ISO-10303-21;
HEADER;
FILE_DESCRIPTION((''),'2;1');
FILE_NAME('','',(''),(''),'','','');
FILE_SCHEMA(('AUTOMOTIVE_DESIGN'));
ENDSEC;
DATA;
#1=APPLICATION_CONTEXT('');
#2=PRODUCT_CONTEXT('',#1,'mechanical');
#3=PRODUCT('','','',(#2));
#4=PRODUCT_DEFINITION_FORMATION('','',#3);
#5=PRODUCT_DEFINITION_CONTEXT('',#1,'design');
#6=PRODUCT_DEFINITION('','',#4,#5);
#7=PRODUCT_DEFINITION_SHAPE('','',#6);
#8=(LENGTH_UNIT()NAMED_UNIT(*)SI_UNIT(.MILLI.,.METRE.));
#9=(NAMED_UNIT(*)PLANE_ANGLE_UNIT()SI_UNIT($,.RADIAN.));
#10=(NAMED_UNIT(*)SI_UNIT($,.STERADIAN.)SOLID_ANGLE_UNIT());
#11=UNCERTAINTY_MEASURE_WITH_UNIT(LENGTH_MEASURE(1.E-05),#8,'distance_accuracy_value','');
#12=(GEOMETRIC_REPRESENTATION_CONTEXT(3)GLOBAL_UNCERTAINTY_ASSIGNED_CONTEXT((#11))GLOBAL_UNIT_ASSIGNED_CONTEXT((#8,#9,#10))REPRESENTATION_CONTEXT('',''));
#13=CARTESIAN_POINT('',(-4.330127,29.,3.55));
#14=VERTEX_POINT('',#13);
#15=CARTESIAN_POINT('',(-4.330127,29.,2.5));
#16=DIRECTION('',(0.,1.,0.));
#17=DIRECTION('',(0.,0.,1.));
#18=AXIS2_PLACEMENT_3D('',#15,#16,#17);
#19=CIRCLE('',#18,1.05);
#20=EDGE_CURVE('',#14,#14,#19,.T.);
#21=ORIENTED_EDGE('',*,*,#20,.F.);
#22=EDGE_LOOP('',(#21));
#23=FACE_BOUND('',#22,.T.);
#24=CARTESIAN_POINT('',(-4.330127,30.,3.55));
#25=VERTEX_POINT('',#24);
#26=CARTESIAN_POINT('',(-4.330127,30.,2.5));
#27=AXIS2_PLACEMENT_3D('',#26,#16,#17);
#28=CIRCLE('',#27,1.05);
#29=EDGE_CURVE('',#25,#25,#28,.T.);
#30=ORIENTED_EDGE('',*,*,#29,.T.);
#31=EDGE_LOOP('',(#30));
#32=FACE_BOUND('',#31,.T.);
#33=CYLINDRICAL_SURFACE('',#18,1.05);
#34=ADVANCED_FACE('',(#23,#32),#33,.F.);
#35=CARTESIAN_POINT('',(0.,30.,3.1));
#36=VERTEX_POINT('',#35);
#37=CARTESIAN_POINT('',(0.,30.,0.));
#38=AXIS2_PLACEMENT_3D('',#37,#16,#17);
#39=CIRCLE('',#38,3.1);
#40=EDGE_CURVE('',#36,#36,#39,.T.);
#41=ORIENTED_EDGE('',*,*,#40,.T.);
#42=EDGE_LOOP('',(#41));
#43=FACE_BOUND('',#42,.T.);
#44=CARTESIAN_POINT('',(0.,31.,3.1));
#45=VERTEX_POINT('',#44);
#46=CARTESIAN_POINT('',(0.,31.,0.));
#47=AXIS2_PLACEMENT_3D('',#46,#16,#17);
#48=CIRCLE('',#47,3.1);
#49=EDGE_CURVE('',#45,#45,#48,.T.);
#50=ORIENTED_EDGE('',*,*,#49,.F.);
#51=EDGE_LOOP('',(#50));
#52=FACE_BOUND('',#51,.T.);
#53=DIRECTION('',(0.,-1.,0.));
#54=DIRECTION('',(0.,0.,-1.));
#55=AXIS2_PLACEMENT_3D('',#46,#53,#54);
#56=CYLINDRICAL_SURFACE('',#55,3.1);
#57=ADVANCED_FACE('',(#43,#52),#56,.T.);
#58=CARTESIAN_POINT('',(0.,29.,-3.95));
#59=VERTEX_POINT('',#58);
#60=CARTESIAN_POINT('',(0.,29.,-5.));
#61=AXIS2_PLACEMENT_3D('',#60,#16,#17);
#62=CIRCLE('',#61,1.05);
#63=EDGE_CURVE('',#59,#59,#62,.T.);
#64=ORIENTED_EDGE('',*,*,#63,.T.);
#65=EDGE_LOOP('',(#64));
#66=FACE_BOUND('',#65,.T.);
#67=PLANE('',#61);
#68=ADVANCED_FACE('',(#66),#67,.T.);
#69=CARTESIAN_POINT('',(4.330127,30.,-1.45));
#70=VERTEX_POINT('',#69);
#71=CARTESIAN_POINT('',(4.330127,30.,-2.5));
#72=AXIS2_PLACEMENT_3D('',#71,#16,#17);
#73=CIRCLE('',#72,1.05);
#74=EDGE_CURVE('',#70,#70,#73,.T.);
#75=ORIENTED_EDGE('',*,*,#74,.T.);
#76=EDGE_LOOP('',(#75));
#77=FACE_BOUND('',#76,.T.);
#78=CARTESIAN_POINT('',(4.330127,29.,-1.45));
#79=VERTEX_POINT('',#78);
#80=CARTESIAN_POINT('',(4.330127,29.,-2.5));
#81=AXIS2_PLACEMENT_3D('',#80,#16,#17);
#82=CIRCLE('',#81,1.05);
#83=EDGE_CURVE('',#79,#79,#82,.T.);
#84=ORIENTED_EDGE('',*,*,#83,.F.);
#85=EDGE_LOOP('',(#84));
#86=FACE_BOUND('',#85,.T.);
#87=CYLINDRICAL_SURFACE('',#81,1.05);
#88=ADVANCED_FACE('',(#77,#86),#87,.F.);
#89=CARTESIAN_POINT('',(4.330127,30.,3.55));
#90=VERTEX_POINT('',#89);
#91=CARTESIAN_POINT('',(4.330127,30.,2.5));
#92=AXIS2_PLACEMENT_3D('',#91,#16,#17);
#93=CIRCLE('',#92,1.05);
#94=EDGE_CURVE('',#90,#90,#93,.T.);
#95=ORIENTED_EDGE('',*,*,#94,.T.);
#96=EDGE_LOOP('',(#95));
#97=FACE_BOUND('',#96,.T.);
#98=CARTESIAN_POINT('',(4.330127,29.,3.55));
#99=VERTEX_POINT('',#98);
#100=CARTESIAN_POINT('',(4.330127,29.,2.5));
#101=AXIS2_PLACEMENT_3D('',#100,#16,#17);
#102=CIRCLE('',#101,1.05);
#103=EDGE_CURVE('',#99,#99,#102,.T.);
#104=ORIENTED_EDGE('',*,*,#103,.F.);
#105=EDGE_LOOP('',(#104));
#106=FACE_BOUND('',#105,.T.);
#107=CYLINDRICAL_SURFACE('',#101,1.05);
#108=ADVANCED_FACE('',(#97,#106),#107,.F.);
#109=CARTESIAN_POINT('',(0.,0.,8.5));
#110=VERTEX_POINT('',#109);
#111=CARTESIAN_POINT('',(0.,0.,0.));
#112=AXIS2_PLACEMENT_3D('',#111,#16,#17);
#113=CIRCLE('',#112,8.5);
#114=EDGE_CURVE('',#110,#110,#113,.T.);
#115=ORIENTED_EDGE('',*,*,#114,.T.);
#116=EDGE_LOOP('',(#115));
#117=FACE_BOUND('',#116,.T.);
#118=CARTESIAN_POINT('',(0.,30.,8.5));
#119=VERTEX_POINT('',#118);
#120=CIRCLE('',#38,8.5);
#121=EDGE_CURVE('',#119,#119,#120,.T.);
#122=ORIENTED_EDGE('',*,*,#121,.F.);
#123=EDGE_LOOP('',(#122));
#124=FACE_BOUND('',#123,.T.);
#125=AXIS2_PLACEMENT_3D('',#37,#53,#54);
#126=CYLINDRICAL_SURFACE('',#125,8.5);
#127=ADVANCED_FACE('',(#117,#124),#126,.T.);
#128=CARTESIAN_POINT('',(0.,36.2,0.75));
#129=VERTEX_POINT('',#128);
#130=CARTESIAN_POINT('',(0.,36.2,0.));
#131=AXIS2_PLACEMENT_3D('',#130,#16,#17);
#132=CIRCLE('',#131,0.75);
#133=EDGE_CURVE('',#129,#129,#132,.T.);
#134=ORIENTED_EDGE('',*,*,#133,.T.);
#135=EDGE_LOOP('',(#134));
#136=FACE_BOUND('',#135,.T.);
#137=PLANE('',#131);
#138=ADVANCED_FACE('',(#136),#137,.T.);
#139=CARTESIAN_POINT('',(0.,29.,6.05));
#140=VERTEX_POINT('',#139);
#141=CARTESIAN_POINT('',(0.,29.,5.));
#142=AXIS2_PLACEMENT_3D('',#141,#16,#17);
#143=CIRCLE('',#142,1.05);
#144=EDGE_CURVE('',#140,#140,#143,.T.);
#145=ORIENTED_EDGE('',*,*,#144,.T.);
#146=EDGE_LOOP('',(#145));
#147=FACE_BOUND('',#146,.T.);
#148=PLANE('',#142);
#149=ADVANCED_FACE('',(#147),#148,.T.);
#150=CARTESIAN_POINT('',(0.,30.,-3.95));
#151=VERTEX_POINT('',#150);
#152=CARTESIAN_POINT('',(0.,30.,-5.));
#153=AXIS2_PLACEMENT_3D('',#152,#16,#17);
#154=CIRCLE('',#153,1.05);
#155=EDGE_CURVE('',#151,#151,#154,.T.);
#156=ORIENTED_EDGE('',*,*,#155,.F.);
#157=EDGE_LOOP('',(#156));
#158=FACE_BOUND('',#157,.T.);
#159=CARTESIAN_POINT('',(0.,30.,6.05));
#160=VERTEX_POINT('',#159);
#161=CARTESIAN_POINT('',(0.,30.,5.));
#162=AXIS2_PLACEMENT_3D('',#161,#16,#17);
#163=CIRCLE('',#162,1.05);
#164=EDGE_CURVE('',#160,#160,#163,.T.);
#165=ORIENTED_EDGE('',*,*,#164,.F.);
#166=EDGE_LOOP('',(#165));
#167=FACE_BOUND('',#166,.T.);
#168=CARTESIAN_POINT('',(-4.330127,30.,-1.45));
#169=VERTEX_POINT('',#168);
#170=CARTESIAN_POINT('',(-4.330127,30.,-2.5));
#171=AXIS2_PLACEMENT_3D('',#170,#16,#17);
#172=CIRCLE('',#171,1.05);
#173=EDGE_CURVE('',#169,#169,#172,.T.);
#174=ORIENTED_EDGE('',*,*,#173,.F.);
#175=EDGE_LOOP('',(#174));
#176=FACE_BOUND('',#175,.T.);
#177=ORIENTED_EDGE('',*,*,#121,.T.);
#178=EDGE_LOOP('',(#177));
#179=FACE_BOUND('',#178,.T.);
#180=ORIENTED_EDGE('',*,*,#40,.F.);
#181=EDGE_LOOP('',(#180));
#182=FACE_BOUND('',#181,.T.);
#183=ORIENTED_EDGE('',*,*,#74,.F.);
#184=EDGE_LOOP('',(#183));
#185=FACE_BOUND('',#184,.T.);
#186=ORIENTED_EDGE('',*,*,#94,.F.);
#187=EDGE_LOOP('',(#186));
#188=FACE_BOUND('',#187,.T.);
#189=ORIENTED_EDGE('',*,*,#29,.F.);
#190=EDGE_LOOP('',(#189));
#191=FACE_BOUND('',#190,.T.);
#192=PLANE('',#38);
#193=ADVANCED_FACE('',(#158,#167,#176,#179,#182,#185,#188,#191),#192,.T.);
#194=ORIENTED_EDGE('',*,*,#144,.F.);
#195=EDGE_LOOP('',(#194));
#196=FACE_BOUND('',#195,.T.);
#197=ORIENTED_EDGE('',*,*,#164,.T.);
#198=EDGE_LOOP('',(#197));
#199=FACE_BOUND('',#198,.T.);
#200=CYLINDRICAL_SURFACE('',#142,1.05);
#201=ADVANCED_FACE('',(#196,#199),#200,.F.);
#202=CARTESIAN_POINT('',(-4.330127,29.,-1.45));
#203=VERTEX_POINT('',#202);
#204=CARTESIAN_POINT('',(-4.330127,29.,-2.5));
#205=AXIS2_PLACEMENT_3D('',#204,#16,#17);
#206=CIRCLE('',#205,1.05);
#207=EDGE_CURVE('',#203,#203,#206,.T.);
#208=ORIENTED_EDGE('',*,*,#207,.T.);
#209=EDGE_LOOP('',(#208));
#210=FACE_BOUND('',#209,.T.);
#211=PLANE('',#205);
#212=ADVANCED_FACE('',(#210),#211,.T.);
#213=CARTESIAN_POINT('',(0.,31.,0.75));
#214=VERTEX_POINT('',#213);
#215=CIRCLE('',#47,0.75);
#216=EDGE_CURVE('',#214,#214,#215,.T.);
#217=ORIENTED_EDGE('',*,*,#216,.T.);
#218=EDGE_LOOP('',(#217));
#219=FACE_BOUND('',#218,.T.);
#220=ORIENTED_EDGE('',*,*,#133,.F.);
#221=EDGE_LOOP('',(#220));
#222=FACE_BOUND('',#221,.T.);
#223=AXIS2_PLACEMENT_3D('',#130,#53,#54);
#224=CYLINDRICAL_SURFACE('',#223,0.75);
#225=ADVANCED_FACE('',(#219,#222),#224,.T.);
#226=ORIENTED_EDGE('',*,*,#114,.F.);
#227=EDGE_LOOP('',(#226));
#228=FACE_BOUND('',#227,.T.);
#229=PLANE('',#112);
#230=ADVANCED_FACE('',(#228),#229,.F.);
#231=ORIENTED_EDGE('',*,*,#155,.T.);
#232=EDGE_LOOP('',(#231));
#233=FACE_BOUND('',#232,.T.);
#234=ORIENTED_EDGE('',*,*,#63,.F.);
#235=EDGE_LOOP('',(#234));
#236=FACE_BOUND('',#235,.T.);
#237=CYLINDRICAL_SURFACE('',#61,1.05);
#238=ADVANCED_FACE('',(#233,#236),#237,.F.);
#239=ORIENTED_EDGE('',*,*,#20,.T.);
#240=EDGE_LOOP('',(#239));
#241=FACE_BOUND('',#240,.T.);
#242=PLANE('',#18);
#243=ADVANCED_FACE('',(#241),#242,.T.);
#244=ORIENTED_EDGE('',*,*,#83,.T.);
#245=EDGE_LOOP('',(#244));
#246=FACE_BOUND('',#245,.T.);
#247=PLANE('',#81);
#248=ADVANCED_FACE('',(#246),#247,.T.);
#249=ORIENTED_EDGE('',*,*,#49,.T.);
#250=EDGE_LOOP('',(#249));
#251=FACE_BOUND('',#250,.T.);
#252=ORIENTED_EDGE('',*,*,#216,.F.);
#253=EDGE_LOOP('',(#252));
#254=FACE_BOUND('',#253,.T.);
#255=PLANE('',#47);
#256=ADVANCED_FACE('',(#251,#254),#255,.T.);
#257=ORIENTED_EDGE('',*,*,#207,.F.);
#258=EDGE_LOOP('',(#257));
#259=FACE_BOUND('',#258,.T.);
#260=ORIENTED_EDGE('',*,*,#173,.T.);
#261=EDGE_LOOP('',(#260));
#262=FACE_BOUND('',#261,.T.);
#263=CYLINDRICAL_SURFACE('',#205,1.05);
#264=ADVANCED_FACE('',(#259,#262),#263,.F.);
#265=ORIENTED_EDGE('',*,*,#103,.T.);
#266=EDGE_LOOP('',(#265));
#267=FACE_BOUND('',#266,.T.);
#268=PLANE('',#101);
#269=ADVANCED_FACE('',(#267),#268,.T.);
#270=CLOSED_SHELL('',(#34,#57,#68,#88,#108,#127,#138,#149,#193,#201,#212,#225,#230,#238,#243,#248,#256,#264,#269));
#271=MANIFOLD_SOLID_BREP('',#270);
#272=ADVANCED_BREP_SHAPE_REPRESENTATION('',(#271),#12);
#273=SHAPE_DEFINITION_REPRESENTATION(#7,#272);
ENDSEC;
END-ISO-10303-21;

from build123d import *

# Parameters (mm, degrees)
SKETCH_1_R          = 8.5
EXTRUDE_1_DEPTH     = 30
SKETCH_2_R          = 3.1
EXTRUDE_2_DEPTH     = 1
SKETCH_3_R          = 0.75
EXTRUDE_3_DEPTH     = 5.2
SKETCH_4_R          = 1.05
CUT_EXTRUDE_1_DEPTH = 1


with BuildPart() as part:
    # 草图1 → 凸台-拉伸1 (new body)
    with BuildSketch(Plane(origin=(0, 0, 0), x_dir=(1, 0, 0), z_dir=(0, 1, 0))):
        with Locations(Location((0, 0, 0), (0, 0, 270))):
            Circle(SKETCH_1_R)
    extrude(amount=EXTRUDE_1_DEPTH)

    # 草图2 → 凸台-拉伸2 (add)
    with BuildSketch(Plane(origin=(0, 30, 0), x_dir=(1, 0, 0), z_dir=(0, 1, 0))):
        with Locations(Location((0, 0, 0), (0, 0, 270))):
            Circle(SKETCH_2_R)
    extrude(amount=EXTRUDE_2_DEPTH)

    # 草图3 → 凸台-拉伸3 (add)
    with BuildSketch(Plane(origin=(0, 31, 0), x_dir=(1, 0, 0), z_dir=(0, 1, 0))):
        with Locations(Location((0, 0, 0), (0, 0, 270))):
            Circle(SKETCH_3_R)
    extrude(amount=EXTRUDE_3_DEPTH)

    # 草图4 → 切除-拉伸1 (cut)
    with BuildSketch(Plane(origin=(0, 30, 0), x_dir=(1, 0, 0), z_dir=(0, 1, 0))):
        with Locations(Location((0, 5, 0), (0, 0, 270))):
            Circle(SKETCH_4_R)
        with Locations(Location((4.330127019, 2.5, 0), (0, 0, 270))):
            Circle(SKETCH_4_R)
        with Locations(Location((4.330127019, -2.5, 0), (0, 0, 270))):
            Circle(SKETCH_4_R)
        with Locations(Location((0, -5, 0), (0, 0, 270))):
            Circle(SKETCH_4_R)
        with Locations(Location((-4.330127019, -2.5, 0), (0, 0, 270))):
            Circle(SKETCH_4_R)
        with Locations(Location((-4.330127019, 2.5, 0), (0, 0, 270))):
            Circle(SKETCH_4_R)
    extrude(amount=-CUT_EXTRUDE_1_DEPTH, mode=Mode.SUBTRACT)


solid = part.part
